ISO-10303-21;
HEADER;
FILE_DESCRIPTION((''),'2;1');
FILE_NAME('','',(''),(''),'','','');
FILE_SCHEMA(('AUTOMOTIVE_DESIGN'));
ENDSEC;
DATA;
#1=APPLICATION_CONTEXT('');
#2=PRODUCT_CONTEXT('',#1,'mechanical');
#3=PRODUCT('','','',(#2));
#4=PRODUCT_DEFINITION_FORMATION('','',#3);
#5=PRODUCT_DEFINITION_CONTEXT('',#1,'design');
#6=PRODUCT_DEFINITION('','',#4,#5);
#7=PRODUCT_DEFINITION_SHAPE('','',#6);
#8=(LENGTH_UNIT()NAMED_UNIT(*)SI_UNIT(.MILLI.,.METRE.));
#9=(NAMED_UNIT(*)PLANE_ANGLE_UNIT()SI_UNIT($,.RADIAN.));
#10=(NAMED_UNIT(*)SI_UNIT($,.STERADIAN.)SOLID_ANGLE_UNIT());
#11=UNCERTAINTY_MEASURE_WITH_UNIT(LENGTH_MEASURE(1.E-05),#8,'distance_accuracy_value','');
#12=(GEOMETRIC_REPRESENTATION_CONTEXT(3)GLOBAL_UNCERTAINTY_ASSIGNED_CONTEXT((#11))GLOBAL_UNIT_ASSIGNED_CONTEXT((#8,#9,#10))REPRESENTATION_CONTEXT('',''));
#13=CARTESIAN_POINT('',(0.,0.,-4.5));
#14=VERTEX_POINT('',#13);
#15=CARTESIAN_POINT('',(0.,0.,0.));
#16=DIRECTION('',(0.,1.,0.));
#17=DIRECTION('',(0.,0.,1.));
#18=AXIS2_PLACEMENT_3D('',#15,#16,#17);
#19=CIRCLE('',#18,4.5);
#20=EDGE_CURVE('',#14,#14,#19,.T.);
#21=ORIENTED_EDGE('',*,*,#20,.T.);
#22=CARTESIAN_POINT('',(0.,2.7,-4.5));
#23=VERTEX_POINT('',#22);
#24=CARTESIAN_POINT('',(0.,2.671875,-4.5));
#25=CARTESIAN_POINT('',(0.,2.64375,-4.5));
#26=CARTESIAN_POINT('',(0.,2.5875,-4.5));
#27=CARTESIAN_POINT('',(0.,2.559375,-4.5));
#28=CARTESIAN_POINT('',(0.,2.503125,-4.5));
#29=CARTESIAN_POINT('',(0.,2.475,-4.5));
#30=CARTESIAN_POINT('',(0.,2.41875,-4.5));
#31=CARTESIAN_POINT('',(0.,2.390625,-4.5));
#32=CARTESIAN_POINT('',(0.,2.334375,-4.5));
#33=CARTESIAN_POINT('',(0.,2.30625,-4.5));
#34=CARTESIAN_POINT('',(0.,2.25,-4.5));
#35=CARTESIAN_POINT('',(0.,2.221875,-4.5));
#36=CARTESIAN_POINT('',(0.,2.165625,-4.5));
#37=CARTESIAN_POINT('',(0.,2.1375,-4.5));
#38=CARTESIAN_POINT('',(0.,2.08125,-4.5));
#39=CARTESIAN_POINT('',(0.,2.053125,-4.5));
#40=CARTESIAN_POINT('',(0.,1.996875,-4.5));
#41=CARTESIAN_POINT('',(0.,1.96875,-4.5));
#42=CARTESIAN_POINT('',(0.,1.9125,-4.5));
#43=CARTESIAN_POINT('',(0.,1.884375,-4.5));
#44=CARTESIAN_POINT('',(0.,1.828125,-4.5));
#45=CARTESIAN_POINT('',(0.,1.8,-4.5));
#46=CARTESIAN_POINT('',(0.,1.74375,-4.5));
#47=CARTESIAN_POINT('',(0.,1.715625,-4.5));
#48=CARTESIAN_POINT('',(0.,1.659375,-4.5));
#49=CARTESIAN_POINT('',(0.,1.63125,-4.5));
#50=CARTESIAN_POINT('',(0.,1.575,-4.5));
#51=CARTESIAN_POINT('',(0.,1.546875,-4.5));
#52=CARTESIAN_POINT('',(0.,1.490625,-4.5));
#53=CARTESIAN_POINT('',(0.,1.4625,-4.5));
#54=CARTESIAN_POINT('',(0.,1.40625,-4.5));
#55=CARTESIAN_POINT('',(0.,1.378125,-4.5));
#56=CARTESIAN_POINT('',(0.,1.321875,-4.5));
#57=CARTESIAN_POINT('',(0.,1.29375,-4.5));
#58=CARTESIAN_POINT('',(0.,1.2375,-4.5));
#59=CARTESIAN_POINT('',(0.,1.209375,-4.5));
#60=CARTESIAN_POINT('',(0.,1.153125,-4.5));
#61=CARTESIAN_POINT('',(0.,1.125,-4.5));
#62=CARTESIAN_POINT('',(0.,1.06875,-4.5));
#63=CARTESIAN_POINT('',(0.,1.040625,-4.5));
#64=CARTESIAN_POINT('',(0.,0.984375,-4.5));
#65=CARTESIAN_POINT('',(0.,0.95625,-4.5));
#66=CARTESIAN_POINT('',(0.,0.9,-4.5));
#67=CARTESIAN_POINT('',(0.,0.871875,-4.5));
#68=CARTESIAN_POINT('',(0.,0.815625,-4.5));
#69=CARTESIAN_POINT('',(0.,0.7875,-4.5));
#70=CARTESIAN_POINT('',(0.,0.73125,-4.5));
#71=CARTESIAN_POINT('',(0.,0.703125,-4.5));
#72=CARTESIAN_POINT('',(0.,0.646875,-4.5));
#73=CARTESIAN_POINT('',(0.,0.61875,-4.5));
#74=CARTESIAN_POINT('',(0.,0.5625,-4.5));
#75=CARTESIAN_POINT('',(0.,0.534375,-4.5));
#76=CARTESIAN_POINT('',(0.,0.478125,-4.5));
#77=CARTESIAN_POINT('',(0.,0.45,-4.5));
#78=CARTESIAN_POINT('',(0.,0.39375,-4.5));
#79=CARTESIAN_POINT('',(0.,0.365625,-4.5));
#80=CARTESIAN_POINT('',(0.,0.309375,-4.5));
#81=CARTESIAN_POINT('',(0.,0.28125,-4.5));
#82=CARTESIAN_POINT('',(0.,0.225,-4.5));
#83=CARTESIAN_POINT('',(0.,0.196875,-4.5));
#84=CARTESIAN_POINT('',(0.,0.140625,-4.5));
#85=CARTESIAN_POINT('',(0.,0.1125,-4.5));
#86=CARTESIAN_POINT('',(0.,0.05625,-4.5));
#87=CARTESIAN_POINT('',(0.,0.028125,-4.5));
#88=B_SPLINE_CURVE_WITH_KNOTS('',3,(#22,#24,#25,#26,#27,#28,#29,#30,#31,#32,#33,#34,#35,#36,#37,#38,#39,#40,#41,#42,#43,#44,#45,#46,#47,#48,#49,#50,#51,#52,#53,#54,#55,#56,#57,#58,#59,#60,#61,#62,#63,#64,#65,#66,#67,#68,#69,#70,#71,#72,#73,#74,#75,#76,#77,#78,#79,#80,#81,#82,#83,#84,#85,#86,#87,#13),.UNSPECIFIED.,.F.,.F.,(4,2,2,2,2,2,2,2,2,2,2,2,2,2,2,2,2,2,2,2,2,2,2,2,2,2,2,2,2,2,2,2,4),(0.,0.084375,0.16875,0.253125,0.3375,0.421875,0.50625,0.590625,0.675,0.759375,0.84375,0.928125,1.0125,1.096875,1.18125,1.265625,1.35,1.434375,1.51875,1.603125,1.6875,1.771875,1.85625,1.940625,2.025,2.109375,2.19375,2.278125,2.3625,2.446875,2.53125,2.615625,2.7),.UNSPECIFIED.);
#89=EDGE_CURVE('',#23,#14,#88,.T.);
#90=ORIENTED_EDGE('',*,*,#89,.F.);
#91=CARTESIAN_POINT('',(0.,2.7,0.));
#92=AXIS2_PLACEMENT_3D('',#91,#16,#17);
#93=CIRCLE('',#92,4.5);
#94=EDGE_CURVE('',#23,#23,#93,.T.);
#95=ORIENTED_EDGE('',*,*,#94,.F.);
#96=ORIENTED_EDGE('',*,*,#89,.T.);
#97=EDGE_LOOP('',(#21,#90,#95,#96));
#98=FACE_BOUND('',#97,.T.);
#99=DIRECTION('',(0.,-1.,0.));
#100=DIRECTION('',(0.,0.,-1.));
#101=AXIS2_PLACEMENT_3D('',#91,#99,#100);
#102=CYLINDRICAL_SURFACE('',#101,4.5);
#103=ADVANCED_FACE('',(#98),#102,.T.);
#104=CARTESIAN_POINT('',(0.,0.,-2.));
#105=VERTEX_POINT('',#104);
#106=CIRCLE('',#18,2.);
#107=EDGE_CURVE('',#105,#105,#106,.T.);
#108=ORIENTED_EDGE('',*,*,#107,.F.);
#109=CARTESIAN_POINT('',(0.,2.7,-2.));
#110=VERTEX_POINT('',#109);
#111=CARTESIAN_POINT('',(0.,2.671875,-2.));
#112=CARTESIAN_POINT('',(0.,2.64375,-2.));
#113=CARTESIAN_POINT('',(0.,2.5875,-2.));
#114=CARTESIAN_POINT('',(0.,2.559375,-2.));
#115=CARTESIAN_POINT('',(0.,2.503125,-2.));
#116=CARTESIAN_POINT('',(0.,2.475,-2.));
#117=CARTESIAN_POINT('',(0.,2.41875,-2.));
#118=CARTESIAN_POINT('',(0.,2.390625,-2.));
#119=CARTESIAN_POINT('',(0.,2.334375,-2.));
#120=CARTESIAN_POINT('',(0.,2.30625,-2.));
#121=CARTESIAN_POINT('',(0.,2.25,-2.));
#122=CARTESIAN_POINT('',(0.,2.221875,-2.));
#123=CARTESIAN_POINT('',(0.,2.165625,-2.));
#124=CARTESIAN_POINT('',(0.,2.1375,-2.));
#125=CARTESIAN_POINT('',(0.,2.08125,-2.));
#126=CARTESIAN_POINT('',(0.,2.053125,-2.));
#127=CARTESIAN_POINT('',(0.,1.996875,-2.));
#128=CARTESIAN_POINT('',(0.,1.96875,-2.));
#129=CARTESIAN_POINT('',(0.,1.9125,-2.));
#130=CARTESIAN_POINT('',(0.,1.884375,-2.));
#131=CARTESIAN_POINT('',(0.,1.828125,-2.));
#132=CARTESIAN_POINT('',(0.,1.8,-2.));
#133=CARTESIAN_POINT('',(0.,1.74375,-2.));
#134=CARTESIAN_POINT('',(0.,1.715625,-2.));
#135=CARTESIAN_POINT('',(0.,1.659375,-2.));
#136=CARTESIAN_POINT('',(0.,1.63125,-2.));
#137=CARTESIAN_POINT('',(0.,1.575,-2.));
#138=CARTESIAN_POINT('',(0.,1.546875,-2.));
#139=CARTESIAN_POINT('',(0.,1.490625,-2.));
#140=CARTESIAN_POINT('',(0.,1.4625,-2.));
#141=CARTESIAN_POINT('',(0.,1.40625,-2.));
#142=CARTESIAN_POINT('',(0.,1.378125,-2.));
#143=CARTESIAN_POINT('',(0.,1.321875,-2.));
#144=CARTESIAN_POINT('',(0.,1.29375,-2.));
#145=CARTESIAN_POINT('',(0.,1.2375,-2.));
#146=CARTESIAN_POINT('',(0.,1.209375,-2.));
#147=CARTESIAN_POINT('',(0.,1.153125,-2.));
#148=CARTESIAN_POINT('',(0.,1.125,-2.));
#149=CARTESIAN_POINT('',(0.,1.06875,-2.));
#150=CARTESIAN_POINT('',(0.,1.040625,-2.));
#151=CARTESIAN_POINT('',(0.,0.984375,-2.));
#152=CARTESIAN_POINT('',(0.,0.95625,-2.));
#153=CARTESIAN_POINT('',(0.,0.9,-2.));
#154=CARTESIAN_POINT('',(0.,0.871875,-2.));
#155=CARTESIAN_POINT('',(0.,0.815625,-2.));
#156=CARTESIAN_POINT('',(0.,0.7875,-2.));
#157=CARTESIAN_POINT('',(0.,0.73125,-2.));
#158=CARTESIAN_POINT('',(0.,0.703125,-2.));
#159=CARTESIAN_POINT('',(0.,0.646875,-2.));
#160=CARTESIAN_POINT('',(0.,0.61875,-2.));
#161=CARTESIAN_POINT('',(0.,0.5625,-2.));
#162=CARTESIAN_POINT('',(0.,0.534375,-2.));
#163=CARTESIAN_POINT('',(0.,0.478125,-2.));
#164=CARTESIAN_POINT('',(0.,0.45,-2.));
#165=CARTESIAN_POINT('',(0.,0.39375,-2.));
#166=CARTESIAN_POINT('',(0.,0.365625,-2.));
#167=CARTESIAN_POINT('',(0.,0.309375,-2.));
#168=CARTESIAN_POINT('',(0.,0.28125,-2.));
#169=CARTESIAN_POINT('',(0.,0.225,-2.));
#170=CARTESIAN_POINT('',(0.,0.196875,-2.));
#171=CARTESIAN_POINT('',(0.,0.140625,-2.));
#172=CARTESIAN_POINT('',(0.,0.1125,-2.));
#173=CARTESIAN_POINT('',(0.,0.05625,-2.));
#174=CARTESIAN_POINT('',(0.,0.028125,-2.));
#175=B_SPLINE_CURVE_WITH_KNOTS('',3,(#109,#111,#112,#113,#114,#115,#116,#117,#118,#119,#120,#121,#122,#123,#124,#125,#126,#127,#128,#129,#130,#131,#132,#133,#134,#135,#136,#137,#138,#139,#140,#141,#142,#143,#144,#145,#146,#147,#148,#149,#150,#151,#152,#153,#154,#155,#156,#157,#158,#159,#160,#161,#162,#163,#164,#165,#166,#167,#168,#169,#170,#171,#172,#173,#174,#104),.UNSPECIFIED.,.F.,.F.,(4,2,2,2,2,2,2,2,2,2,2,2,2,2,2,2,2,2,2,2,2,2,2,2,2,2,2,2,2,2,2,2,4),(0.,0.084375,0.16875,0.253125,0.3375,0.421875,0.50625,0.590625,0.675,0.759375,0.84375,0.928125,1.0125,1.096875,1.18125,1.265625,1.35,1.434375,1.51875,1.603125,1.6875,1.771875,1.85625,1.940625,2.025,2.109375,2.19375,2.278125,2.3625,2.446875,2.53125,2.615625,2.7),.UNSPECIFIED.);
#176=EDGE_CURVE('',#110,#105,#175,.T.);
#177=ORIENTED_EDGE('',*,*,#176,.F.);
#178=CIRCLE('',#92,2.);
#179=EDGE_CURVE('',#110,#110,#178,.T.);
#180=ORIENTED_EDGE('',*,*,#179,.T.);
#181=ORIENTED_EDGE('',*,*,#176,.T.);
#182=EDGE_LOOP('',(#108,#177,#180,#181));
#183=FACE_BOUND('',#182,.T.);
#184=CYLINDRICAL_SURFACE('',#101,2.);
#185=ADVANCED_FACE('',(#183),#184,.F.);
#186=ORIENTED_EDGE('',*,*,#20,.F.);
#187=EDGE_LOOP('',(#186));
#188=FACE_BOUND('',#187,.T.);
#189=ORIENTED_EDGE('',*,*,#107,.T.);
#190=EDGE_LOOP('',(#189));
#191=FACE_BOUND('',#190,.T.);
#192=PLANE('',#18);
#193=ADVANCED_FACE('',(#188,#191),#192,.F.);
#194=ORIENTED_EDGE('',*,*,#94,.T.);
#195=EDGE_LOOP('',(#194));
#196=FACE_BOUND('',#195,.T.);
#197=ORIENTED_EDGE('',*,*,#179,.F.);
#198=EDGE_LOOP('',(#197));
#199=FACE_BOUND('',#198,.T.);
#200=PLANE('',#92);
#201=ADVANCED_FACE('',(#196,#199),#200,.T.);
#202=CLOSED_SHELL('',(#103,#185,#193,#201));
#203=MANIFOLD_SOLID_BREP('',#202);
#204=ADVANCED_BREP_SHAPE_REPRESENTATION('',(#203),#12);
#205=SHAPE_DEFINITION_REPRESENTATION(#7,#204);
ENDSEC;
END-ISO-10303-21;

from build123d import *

# Parameters (mm, degrees)
ESBO_O1_R                = 4.5
ESBO_O1_R_2              = 2
RESSALTO_EXTRUS_O1_DEPTH = 2.7


with BuildPart() as part:
    # Esboço1 → Ressalto-extrusão1 (new body)
    with BuildSketch(Plane(origin=(0, 0, 0), x_dir=(1, 0, 0), z_dir=(0, 1, 0))):
        with Locations(Location((0, 0, 0), (0, 0, 90))):
            Circle(ESBO_O1_R)
        with Locations(Location((0, 0, 0), (0, 0, 90))):
            Circle(ESBO_O1_R_2, mode=Mode.SUBTRACT)
    extrude(amount=RESSALTO_EXTRUS_O1_DEPTH)


solid = part.part
